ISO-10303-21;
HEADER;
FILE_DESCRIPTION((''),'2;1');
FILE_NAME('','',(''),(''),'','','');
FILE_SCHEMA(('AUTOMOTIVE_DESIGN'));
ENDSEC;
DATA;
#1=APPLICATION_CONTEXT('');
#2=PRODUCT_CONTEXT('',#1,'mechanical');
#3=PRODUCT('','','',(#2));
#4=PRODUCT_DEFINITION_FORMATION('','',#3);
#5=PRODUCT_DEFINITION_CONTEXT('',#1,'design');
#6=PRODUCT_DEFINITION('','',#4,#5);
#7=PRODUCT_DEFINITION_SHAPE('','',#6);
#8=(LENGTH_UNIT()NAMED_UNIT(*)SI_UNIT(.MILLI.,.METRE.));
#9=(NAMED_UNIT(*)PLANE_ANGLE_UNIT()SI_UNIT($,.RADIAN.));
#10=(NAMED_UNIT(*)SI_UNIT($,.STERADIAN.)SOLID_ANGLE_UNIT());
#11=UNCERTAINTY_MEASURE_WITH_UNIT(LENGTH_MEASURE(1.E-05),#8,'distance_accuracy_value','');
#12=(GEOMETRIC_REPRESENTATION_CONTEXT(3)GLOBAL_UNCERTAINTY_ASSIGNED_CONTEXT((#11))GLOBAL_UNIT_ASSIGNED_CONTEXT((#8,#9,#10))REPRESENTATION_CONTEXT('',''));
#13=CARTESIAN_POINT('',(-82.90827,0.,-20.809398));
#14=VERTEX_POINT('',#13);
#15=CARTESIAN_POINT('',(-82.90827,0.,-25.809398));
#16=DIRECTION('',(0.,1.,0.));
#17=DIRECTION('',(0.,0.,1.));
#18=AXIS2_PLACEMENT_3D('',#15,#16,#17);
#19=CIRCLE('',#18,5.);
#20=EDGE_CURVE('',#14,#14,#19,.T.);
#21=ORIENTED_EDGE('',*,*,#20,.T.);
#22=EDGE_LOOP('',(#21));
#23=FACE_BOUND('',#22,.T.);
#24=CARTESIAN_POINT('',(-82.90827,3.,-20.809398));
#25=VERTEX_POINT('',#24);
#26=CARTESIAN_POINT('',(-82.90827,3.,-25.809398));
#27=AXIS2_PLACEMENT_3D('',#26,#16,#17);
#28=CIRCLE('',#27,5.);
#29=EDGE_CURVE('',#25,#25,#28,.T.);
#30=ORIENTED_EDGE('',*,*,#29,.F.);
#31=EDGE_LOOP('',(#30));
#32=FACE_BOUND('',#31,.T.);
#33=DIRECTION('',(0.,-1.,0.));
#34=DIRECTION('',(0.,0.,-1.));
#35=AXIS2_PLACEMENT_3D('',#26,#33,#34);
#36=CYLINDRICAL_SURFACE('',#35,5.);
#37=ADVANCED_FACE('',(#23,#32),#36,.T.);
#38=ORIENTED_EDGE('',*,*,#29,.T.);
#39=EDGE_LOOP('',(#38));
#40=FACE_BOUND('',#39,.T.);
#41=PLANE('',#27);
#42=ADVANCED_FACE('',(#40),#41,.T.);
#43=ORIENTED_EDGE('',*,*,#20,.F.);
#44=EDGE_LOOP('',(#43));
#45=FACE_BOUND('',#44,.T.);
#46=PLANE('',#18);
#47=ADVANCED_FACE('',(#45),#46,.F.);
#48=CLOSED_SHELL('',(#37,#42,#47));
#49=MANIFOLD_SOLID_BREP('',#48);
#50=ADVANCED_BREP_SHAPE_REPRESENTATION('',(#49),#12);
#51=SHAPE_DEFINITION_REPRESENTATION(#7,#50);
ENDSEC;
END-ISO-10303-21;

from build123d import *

# Parameters (mm, degrees)
SKETCH_1_R      = 5
EXTRUDE_1_DEPTH = 3


with BuildPart() as part:
    # 스케치1 → 보스-돌출1 (new body)
    with BuildSketch(Plane(origin=(0, 0, 0), x_dir=(1, 0, 0), z_dir=(0, 1, 0))):
        with Locations((-82.908270094, 25.809397513)):
            Circle(SKETCH_1_R)
    extrude(amount=EXTRUDE_1_DEPTH)


solid = part.part
